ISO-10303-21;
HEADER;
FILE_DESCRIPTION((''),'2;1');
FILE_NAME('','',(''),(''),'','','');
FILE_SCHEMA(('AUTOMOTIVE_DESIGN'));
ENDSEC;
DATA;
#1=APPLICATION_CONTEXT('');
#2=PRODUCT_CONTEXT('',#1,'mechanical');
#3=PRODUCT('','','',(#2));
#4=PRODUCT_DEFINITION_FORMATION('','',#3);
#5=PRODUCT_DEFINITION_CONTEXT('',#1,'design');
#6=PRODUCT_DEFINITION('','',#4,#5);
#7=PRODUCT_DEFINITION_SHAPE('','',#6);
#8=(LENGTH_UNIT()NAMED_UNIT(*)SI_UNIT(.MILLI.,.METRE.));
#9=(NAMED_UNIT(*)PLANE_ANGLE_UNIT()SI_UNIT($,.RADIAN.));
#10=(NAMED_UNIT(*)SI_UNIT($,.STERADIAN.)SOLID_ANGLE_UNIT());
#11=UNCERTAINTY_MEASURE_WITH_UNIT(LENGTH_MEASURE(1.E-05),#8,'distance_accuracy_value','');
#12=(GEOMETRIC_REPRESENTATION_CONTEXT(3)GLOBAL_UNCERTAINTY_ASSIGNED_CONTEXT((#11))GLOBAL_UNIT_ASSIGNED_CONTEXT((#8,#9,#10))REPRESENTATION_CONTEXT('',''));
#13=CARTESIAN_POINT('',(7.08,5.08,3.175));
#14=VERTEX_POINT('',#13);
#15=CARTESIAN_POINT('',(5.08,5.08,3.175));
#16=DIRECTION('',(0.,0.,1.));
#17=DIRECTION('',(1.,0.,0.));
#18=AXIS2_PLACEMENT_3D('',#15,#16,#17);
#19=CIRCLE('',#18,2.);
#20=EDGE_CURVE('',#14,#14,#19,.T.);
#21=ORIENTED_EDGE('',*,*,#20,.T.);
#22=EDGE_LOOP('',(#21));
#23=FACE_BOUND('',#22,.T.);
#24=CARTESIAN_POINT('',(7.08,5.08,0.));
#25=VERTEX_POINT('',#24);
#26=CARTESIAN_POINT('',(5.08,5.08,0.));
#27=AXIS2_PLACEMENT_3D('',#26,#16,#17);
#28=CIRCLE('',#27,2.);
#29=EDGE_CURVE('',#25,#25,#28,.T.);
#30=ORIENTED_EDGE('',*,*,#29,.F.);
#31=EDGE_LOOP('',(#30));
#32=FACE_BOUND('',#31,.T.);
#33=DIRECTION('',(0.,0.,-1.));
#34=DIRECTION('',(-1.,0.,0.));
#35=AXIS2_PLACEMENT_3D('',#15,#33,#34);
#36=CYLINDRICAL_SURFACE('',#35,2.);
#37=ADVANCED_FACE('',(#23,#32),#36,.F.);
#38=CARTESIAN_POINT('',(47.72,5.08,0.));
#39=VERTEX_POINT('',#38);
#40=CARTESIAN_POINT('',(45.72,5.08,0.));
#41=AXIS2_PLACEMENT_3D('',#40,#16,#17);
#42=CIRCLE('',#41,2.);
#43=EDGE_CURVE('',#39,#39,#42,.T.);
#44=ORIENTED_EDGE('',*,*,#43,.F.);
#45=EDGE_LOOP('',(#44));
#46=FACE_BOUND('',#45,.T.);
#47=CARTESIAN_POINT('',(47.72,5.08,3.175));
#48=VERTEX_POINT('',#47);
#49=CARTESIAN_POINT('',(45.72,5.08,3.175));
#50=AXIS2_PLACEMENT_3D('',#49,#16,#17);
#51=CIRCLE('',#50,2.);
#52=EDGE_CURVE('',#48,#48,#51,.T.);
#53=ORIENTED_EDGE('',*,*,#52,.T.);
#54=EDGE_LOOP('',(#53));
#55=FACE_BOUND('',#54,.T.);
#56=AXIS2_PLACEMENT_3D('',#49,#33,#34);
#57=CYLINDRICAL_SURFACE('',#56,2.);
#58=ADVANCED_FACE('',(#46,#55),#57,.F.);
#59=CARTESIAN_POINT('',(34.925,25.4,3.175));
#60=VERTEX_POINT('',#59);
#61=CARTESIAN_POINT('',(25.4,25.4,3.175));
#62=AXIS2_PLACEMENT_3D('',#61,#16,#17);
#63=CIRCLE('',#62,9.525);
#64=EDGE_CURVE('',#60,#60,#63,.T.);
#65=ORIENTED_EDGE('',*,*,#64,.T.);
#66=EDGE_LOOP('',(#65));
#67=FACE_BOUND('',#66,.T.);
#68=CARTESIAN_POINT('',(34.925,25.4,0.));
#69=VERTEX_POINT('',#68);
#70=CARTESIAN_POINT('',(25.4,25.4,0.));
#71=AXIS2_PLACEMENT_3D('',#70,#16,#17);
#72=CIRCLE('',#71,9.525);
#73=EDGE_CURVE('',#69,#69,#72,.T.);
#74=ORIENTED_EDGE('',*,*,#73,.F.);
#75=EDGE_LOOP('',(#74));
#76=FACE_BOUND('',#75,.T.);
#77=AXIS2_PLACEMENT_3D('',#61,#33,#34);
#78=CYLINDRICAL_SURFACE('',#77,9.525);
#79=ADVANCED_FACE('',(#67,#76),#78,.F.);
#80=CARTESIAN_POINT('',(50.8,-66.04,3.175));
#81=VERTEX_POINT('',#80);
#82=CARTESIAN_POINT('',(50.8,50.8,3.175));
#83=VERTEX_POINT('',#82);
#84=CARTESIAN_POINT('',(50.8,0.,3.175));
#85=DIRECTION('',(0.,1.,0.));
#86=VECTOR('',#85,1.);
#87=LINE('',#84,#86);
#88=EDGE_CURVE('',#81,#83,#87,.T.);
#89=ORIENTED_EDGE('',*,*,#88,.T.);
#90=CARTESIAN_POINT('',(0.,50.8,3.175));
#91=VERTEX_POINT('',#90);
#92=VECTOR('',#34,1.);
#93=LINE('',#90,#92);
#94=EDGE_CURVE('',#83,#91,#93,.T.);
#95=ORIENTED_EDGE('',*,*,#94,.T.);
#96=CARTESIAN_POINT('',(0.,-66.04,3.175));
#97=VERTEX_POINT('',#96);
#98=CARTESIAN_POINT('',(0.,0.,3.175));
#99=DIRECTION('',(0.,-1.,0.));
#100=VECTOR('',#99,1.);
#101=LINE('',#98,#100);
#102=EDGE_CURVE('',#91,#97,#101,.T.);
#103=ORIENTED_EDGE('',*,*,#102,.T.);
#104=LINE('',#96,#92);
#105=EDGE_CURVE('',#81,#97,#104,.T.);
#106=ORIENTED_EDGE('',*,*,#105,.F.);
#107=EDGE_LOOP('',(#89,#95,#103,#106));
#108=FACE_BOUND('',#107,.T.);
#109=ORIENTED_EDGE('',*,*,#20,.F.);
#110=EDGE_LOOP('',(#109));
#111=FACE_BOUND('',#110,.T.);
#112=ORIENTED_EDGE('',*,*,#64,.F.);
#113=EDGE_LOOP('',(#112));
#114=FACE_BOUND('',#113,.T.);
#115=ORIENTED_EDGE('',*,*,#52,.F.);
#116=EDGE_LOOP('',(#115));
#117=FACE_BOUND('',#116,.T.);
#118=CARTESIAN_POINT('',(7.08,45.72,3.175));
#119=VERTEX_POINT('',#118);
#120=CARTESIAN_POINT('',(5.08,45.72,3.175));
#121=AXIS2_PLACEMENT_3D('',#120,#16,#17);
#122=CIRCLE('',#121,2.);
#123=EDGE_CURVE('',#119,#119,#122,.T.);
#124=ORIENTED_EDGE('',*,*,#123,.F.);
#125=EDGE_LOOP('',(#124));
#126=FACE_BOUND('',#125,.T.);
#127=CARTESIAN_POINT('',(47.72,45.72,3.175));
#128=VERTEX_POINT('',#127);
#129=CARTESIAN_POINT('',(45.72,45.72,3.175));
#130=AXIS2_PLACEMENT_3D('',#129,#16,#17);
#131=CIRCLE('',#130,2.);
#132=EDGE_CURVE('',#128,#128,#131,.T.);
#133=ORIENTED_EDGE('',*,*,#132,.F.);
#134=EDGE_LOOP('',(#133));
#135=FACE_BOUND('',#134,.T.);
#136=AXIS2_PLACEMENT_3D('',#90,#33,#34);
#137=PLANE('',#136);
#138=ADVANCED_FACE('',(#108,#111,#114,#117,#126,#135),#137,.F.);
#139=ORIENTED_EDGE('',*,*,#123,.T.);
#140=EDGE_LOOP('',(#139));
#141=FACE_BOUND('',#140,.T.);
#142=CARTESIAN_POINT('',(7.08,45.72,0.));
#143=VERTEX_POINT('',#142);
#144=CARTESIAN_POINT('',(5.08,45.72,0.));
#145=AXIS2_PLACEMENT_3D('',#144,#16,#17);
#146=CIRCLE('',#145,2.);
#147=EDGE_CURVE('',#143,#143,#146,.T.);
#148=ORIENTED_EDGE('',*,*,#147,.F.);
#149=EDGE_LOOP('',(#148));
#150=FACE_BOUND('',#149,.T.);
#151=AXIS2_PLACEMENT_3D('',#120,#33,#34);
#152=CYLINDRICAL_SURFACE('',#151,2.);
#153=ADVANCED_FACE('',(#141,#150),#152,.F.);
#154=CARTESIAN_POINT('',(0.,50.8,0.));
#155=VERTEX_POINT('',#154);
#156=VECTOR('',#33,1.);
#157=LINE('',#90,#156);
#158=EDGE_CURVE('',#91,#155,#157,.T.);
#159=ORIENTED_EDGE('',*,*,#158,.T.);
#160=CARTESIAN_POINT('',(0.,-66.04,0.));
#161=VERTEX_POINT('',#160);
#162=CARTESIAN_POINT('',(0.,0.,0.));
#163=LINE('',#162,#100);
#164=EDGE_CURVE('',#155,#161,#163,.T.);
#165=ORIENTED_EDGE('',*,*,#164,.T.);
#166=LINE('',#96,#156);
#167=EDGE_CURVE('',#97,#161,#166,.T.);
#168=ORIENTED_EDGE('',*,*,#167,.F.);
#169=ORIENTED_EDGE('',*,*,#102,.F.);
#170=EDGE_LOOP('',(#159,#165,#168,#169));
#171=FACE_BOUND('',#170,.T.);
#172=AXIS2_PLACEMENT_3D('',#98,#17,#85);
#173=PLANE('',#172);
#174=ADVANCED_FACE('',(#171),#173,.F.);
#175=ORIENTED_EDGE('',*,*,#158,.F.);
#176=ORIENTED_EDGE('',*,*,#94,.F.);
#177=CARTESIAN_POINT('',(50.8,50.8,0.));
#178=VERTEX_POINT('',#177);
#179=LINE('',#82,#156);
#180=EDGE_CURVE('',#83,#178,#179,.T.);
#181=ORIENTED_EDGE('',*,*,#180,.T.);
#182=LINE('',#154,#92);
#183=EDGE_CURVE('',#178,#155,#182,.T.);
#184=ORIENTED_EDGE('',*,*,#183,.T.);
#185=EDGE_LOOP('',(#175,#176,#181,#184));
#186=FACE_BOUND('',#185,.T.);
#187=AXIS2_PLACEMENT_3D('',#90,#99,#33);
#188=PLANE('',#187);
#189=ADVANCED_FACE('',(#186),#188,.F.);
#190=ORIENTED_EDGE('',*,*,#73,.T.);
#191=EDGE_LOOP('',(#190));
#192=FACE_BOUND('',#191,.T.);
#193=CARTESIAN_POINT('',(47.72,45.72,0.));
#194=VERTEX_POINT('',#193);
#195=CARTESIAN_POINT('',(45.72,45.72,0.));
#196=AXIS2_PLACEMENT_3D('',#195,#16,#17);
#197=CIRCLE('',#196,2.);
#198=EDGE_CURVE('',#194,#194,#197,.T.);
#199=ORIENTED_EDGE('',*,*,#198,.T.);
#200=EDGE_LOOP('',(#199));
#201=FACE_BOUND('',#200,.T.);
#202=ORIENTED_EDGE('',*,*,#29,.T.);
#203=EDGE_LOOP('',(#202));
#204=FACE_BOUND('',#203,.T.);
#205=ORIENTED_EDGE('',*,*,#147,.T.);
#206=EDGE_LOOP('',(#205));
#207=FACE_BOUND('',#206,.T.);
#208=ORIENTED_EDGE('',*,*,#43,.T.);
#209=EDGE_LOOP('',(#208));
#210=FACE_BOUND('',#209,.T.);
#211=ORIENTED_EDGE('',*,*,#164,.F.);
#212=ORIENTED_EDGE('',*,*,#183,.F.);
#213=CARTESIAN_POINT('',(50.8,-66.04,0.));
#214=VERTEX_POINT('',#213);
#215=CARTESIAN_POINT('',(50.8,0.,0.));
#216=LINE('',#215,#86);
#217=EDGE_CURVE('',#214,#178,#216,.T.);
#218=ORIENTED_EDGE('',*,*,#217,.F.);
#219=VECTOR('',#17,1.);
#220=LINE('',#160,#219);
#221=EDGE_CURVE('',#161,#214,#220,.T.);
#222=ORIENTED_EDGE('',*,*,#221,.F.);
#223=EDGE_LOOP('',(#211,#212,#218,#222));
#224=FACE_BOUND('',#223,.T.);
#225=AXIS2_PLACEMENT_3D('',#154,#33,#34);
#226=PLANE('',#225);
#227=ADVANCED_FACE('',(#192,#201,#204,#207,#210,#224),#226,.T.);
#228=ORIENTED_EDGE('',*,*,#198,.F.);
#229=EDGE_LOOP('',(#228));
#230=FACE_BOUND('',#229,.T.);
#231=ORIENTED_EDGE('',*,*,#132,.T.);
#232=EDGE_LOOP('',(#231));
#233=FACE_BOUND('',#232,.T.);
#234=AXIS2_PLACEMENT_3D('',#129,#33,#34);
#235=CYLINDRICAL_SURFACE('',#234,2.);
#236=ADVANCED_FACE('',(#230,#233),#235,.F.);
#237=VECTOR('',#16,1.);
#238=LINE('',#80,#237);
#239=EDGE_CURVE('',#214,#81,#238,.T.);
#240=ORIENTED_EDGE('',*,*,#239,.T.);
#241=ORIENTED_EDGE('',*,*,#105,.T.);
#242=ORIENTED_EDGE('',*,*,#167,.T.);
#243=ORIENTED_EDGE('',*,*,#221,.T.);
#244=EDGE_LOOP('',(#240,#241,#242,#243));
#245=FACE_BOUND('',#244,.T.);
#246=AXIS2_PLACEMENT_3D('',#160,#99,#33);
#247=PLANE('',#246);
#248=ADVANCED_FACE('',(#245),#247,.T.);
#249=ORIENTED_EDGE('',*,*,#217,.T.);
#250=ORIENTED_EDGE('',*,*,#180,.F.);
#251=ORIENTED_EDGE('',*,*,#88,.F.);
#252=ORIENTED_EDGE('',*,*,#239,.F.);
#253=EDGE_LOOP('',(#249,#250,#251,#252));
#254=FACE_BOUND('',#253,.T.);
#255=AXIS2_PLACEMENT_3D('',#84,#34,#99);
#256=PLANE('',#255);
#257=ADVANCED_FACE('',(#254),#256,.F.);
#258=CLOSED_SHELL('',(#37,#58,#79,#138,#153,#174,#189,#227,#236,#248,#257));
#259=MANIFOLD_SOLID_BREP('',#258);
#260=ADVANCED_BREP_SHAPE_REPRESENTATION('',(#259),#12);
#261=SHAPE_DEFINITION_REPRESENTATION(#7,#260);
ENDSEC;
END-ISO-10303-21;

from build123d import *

# Parameters (mm, degrees)
SKETCH2_W           = 50.8
SKETCH2_H           = 50.8
SKETCH2_R           = 2
SKETCH2_R_2         = 9.525
BOSS_EXTRUDE1_DEPTH = 3.175
SKETCH3_W           = 50.8
SKETCH3_H           = 3.175
BOSS_EXTRUDE2_DEPTH = 66.04


with BuildPart() as part:
    # Sketch2 → Boss-Extrude1 (new body)
    with BuildSketch(Plane.XY):
        with Locations((25.4, 25.4)):
            Rectangle(SKETCH2_W, SKETCH2_H)
        with Locations((5.08, 45.72)):
            Circle(SKETCH2_R, mode=Mode.SUBTRACT)
        with Locations((45.72, 45.72)):
            Circle(SKETCH2_R, mode=Mode.SUBTRACT)
        with Locations((45.72, 5.08)):
            Circle(SKETCH2_R, mode=Mode.SUBTRACT)
        with Locations((5.08, 5.08)):
            Circle(SKETCH2_R, mode=Mode.SUBTRACT)
        with Locations((25.4, 25.4)):
            Circle(SKETCH2_R_2, mode=Mode.SUBTRACT)
    extrude(amount=BOSS_EXTRUDE1_DEPTH)

    # Sketch3 → Boss-Extrude2 (add)
    with BuildSketch(Plane.XZ):
        with Locations((25.4, 1.5875)):
            Rectangle(SKETCH3_W, SKETCH3_H)
    extrude(amount=BOSS_EXTRUDE2_DEPTH)


solid = part.part
